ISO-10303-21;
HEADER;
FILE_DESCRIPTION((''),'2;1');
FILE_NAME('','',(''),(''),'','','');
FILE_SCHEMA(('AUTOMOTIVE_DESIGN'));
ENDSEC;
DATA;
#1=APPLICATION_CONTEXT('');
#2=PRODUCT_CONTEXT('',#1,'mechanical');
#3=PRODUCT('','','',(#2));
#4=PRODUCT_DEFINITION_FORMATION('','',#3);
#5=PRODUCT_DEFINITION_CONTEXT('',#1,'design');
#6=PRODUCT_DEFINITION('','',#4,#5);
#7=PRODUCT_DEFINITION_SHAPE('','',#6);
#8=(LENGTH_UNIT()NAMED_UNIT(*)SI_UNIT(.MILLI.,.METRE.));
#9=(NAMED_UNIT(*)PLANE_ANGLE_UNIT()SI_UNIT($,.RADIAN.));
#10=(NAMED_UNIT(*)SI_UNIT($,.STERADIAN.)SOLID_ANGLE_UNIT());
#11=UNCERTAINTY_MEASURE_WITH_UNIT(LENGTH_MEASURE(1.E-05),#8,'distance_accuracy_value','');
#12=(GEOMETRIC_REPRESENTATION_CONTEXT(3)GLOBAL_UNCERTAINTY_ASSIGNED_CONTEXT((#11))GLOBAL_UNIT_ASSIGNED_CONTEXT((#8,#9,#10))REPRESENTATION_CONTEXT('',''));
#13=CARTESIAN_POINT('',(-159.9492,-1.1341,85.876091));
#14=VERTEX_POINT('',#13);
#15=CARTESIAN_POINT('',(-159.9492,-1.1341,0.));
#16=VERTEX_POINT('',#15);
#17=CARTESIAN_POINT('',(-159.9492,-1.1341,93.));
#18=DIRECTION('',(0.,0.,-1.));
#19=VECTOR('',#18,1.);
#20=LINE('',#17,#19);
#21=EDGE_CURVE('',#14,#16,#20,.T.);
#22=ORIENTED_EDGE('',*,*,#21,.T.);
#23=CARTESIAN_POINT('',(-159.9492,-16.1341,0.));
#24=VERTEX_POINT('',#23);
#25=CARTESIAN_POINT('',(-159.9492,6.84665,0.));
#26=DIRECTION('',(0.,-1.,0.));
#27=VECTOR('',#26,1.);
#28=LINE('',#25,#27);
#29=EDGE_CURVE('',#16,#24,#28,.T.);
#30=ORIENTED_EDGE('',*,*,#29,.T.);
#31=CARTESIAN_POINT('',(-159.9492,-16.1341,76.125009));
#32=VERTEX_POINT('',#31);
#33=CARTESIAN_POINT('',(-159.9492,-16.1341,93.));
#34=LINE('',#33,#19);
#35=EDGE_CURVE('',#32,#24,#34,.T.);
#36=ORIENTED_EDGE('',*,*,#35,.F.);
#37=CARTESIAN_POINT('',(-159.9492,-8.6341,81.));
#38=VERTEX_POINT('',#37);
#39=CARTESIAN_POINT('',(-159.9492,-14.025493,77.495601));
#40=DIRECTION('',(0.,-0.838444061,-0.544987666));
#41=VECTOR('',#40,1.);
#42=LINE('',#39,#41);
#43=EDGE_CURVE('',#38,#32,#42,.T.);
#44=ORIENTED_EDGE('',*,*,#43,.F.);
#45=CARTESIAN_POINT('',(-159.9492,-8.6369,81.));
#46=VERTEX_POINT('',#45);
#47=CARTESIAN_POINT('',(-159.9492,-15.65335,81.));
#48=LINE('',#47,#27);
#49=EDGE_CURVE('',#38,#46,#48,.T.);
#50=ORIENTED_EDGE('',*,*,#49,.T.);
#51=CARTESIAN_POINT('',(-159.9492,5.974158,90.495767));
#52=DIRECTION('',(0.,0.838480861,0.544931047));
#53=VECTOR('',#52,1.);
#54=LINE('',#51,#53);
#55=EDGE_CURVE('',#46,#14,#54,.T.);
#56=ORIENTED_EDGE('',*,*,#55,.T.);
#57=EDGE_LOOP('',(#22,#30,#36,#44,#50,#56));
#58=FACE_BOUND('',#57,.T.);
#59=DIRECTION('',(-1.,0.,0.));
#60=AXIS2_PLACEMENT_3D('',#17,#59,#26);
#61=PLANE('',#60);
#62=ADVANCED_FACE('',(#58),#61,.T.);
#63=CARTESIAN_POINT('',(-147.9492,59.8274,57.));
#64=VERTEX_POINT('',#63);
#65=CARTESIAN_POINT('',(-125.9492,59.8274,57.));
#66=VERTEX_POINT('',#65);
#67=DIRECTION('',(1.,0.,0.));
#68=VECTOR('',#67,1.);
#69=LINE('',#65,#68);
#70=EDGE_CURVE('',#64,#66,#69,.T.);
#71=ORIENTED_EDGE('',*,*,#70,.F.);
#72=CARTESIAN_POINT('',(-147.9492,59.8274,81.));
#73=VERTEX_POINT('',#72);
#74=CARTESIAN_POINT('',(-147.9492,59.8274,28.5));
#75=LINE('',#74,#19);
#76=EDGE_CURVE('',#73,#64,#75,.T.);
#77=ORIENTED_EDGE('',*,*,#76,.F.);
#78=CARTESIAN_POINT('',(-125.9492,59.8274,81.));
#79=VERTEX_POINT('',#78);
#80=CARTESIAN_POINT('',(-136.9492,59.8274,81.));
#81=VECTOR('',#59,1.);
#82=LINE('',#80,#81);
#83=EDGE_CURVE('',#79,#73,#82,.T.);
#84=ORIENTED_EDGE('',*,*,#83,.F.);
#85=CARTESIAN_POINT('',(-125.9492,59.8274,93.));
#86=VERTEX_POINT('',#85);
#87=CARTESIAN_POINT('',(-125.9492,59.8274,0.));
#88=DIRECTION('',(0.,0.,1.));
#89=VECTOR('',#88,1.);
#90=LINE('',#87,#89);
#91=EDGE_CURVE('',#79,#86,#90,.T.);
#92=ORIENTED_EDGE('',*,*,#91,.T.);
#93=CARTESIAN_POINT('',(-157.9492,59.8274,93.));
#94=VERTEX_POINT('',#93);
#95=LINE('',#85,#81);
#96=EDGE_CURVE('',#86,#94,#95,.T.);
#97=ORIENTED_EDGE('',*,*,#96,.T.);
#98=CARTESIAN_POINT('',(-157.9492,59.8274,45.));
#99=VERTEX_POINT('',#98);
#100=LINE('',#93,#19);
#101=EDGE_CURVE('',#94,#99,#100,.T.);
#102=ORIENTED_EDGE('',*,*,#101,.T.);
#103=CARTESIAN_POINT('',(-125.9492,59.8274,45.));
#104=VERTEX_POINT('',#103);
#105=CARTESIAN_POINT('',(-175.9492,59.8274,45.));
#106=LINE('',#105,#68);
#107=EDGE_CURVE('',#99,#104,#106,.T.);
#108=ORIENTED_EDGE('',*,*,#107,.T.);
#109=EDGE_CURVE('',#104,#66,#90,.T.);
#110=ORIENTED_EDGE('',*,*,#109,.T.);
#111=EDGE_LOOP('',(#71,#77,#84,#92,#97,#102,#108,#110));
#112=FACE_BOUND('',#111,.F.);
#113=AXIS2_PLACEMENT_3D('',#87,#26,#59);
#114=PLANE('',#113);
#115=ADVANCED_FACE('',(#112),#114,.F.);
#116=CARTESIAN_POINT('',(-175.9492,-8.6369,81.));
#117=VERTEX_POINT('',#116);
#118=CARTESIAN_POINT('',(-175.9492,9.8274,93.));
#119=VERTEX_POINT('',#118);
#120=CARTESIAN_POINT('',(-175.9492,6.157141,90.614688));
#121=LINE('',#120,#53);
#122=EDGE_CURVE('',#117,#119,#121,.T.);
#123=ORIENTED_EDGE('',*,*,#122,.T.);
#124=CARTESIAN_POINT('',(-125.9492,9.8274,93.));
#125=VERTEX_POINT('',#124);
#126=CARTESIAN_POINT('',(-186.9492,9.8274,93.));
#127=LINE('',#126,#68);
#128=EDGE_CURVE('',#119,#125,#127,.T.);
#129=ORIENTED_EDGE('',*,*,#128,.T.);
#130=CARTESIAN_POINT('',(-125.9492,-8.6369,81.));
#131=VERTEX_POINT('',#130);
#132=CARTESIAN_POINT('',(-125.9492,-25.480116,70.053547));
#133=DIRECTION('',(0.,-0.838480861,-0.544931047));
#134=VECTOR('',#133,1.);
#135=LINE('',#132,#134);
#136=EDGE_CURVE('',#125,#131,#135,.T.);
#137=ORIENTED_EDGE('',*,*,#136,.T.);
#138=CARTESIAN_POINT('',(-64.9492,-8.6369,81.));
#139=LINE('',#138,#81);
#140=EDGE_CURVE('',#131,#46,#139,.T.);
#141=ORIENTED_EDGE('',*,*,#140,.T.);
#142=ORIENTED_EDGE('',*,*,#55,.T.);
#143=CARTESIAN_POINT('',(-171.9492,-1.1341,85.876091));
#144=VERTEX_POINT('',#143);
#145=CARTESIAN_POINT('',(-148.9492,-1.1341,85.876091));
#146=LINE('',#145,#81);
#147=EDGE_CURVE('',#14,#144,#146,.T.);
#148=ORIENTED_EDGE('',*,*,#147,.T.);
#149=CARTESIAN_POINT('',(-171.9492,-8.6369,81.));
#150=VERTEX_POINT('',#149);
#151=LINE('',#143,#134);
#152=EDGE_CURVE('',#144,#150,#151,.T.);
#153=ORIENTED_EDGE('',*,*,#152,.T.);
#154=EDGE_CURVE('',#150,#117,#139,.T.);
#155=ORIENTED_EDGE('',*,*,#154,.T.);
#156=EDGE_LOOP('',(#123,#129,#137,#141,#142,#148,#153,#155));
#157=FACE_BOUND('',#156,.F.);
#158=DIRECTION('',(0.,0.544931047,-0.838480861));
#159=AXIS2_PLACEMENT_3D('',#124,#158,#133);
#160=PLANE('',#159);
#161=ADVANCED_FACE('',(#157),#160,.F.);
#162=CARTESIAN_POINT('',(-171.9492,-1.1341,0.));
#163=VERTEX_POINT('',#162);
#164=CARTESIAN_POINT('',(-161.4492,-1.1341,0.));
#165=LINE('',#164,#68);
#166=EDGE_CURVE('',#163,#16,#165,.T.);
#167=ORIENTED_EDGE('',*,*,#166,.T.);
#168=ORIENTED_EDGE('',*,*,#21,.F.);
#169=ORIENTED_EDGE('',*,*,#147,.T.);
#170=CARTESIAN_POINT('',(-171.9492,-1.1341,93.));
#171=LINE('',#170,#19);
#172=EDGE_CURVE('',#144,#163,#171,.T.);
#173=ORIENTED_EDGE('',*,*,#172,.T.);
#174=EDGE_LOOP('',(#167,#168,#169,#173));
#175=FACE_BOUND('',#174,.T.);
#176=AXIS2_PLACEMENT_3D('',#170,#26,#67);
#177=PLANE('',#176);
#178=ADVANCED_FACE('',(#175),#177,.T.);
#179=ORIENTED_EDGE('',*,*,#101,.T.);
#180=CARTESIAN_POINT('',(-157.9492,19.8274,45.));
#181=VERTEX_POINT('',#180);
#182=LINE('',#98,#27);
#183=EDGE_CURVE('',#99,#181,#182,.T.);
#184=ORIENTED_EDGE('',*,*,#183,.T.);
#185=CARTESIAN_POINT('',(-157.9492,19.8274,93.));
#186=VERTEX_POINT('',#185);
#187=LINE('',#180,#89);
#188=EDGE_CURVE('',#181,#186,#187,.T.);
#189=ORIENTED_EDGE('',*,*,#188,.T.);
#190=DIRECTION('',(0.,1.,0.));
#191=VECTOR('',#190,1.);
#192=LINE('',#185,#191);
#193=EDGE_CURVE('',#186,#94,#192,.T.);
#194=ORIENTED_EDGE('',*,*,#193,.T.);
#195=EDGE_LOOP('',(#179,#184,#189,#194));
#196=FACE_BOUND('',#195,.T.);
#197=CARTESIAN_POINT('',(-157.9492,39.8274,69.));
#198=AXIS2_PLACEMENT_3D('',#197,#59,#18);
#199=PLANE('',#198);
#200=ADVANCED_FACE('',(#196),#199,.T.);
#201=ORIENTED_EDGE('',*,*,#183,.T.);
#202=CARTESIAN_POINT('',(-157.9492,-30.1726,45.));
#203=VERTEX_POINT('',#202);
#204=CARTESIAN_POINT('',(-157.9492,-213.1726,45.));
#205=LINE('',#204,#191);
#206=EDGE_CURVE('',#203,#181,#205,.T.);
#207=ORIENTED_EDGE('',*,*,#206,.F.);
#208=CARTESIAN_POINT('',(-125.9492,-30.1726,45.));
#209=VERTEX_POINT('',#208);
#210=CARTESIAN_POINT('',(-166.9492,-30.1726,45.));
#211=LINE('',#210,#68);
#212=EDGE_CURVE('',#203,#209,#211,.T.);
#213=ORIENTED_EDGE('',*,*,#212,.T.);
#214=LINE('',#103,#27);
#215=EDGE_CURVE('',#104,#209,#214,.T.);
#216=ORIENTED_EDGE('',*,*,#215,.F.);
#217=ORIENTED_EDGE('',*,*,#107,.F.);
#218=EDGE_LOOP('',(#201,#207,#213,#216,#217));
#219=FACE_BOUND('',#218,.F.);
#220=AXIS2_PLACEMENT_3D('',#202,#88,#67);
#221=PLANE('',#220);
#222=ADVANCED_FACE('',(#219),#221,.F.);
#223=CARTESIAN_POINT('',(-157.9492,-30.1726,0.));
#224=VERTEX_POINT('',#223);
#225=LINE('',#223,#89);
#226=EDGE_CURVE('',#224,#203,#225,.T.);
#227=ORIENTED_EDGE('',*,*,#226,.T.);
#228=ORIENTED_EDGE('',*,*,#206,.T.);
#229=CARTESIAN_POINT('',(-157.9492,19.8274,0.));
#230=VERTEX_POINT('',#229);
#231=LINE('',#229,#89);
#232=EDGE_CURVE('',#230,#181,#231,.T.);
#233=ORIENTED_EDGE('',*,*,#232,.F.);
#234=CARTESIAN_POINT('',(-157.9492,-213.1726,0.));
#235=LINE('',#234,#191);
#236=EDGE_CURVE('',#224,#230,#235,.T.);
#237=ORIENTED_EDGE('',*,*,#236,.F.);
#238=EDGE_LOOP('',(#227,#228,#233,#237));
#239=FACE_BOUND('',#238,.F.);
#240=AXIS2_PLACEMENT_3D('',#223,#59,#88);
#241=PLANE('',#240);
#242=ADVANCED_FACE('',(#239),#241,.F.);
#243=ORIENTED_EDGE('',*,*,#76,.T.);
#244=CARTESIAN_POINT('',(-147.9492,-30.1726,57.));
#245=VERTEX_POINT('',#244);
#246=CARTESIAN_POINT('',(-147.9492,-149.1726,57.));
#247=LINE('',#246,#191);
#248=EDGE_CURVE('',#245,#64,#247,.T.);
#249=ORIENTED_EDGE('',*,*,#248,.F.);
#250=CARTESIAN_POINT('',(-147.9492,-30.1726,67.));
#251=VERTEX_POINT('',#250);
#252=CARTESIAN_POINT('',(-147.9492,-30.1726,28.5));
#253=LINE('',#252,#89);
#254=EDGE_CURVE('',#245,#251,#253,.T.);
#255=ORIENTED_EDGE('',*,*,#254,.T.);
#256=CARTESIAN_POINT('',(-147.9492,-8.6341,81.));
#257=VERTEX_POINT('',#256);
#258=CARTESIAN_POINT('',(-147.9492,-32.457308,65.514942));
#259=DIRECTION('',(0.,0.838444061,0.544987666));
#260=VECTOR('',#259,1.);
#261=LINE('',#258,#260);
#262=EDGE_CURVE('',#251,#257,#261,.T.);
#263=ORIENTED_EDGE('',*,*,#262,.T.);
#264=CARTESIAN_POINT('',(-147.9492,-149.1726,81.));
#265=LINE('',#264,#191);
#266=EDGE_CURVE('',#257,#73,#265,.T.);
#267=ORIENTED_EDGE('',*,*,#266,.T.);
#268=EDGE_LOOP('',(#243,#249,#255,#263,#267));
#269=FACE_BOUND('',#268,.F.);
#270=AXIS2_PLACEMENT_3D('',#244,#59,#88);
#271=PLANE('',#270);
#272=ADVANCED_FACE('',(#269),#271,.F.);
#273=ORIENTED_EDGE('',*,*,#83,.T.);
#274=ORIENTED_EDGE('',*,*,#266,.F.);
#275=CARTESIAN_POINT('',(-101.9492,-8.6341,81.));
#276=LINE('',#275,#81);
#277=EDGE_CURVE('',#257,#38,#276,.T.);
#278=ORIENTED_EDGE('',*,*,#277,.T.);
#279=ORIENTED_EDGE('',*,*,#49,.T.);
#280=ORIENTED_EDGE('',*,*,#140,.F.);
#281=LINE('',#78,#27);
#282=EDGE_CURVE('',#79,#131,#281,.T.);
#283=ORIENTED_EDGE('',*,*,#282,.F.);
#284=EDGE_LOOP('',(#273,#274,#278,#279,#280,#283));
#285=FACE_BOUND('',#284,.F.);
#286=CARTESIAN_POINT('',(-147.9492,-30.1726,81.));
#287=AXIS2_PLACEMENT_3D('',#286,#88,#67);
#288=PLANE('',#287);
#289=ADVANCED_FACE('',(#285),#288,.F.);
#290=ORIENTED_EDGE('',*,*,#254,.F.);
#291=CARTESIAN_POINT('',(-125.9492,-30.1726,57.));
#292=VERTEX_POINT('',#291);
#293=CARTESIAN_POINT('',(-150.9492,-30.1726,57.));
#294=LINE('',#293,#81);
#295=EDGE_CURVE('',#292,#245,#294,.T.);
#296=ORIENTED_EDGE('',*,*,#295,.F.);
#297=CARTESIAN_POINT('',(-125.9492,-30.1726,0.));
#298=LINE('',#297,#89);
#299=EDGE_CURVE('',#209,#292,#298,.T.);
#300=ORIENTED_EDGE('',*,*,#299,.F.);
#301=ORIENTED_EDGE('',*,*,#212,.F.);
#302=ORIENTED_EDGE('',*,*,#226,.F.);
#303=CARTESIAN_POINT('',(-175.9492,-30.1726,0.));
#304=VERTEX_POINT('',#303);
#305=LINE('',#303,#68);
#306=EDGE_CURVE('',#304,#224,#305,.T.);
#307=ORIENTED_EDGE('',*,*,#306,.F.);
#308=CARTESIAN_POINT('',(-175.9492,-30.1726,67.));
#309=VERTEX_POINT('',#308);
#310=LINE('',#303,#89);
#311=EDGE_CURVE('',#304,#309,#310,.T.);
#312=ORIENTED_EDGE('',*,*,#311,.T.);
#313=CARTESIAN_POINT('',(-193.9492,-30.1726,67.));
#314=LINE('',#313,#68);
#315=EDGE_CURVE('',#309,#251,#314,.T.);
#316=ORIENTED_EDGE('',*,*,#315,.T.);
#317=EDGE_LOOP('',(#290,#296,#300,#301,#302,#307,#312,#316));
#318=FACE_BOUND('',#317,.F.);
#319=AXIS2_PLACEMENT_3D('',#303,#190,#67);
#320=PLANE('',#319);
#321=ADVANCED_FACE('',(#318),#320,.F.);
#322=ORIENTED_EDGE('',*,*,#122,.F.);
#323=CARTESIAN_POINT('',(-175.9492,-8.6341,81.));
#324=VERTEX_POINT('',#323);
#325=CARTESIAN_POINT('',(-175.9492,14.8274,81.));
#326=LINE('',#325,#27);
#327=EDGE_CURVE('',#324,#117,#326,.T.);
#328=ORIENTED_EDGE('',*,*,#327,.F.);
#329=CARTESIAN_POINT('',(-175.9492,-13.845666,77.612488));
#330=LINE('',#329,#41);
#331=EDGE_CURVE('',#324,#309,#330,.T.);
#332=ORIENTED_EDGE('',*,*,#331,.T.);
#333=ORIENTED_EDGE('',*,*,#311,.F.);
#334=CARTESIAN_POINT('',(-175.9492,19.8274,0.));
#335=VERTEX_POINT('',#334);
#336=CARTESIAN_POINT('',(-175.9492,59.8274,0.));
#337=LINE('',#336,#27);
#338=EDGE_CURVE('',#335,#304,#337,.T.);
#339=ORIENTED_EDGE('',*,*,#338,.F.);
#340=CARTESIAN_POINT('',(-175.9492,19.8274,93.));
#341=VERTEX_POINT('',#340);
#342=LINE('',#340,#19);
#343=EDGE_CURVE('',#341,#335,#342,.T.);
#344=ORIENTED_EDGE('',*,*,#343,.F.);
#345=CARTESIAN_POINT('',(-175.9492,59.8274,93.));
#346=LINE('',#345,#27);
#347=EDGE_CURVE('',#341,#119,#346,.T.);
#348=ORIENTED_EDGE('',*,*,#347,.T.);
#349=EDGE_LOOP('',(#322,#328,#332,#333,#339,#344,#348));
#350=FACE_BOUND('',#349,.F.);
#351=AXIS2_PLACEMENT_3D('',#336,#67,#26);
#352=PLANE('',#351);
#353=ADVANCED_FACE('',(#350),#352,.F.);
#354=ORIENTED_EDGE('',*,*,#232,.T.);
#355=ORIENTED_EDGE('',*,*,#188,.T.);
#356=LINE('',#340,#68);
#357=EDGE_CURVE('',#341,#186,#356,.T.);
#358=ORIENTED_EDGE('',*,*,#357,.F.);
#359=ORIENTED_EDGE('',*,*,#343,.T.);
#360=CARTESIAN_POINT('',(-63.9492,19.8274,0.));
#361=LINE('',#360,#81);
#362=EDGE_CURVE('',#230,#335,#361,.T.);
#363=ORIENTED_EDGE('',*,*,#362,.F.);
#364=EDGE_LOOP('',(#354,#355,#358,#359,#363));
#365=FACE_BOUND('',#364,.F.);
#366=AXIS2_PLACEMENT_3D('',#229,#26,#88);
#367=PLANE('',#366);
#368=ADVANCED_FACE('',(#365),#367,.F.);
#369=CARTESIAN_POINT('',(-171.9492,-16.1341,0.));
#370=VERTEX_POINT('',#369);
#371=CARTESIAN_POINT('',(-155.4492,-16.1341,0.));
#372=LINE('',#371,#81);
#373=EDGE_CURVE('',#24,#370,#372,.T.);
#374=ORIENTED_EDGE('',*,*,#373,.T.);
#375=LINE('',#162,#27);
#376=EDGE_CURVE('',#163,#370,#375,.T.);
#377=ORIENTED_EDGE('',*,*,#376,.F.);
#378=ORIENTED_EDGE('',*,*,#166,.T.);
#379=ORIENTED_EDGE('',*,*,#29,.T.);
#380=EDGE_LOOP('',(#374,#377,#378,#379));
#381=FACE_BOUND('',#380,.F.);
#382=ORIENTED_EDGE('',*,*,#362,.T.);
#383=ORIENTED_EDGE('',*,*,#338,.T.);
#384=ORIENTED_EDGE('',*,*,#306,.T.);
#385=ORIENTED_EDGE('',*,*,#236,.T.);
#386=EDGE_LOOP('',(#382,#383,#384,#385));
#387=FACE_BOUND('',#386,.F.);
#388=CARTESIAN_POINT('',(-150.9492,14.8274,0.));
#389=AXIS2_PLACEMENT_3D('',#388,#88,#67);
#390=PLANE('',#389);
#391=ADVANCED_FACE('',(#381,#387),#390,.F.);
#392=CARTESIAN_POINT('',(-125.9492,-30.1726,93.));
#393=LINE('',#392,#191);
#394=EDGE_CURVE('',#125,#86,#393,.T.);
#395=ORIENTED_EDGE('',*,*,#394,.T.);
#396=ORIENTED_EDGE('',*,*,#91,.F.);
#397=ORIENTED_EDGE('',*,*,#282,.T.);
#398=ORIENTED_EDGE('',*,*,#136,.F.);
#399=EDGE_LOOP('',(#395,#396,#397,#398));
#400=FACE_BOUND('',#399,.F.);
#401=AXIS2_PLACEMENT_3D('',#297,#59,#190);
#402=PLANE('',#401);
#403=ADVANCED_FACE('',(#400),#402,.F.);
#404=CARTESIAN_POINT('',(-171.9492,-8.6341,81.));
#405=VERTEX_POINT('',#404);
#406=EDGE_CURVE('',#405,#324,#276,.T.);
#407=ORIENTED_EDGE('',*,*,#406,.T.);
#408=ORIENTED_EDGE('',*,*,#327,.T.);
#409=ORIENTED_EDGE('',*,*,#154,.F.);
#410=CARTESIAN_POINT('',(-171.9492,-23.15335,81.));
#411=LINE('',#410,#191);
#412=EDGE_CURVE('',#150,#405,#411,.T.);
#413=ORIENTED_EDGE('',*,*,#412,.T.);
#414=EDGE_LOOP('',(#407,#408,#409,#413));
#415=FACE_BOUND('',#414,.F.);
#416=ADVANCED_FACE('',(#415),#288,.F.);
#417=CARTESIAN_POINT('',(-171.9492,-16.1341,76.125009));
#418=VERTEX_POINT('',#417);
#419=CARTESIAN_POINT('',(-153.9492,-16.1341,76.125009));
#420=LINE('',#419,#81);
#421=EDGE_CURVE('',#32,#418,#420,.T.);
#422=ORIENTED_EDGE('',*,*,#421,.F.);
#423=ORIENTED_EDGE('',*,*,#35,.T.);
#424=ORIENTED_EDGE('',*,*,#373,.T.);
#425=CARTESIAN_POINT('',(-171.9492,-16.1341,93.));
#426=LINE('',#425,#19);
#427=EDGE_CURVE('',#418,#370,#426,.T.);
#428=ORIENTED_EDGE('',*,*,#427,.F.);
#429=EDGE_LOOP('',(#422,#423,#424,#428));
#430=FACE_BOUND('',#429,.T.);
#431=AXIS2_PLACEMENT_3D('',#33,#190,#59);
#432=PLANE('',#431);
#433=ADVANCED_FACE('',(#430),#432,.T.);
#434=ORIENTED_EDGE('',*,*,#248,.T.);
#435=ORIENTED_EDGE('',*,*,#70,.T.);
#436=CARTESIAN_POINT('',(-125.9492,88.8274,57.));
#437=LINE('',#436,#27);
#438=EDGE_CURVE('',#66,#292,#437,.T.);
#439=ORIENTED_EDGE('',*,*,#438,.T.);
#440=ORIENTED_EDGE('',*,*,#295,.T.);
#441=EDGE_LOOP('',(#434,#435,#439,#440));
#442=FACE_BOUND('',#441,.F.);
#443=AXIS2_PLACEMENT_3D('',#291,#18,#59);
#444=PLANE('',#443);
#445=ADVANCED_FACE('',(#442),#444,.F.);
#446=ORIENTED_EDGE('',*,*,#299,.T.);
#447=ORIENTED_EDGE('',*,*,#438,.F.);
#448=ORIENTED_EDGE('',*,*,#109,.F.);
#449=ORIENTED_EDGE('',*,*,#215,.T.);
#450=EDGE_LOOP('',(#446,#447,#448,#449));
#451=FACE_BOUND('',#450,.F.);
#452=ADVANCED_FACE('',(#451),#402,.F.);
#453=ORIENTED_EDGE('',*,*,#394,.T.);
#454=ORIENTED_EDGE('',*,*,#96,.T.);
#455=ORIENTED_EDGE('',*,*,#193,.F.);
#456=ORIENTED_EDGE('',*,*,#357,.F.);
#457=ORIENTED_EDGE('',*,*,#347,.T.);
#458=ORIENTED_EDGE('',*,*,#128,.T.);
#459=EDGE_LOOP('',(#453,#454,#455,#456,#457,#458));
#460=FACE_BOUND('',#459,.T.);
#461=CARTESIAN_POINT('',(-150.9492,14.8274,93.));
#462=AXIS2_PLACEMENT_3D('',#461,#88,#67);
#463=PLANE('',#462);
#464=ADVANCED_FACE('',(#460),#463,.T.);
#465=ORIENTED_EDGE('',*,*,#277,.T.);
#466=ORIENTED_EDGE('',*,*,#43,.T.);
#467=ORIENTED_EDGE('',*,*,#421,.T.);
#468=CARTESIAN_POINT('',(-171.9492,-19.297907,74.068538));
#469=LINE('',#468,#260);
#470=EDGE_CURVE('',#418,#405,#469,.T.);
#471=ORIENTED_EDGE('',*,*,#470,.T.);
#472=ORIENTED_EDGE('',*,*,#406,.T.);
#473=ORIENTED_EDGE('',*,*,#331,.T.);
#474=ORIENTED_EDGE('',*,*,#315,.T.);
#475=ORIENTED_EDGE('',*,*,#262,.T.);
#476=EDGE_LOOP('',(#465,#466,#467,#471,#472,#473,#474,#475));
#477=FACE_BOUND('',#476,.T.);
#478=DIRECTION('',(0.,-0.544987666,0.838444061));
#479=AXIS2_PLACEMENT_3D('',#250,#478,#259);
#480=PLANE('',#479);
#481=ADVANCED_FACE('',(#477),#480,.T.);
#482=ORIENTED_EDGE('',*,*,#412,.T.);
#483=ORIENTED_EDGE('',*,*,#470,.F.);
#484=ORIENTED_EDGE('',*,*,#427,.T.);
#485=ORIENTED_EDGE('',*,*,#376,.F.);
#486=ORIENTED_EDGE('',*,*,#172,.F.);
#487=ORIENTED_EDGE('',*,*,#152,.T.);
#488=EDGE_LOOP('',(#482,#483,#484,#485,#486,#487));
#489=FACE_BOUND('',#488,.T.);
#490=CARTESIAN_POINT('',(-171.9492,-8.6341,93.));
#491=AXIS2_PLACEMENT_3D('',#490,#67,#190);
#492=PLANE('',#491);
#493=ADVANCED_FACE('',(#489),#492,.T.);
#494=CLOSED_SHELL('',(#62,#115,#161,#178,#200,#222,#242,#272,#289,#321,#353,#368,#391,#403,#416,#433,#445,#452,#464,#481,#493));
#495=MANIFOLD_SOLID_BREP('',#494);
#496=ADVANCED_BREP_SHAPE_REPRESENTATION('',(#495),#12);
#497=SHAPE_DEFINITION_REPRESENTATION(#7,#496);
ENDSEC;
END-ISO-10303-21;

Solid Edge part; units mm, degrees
sketch "Sketch1" plane through (0, 0, 0) normal (0, 0, 1) x (1, 0, 0)
  line L0 (-175.9492, -30.1726) -> (-125.9492, -30.1726)
  line L1 (-175.9492, 59.8274) -> (-175.9492, -30.1726)
  line L2 (-125.9492, 59.8274) -> (-175.9492, 59.8274)
  line L3 (-125.9492, -30.1726) -> (-125.9492, 59.8274)
extrude "Protrusion1" add sketch "Sketch1" along normal blind 93
sketch "Sketch2" plane through (-150.9492, -30.1726, 46.5) normal (0, -1, 0) x (1, 0, 0)
  line L0 (25, -46.5) -> (-7, -46.5)
  line L1 (-7, -46.5) -> (-7, -1.5)
  line L2 (-7, -1.5) -> (25, -1.5)
  line L3 (25, -1.5) -> (25, -46.5)
extrude "ExtrudedCutout_1" cut sketch "Sketch2" along normal mid plane 366
sketch "Sketch3" plane through (-157.9492, 14.8274, 22.5) normal (1, 0, 0) x (0, 1, 0)
  line L0 (45, -22.5) -> (5, -22.5)
  line L1 (5, -22.5) -> (5, 22.5)
  line L2 (5, 22.5) -> (45, 22.5)
  line L3 (45, 22.5) -> (45, -22.5)
extrude "ExtrudedCutout_2" cut sketch "Sketch3" along normal mid plane 188
sketch "Sketch4" plane through (-150.9492, -30.1726, 46.5) normal (0, -1, 0) x (1, 0, 0)
  line L0 (25, 10.5) -> (3, 10.5)
  line L1 (3, 10.5) -> (3, 34.5)
  line L2 (3, 34.5) -> (25, 34.5)
  line L3 (25, 34.5) -> (25, 10.5)
extrude "ExtrudedCutout_3" cut sketch "Sketch4" along normal mid plane 238
sketch "Sketch5" plane through (-147.9492, 14.8274, 69) normal (1, 0, 0) x (0, 1, 0)
  line L0 (-45, 12) -> (-23.4615, 12)
  line L1 (-45, -2) -> (-23.4615, 12)
  line L2 (-45, -2) -> (-45, 12)
extrude "ExtrudedCutout_4" cut sketch "Sketch5" along normal mid plane 92
sketch "Sketch6" plane through (-125.9492, 14.8274, 87) normal (1, 0, 0) x (0, 1, 0)
  line L0 (-5, 6) -> (-23.4643, -6)
  line L1 (-23.4643, -6) -> (-45, -6)
  line L2 (-45, -6) -> (-45, 6)
  line L3 (-45, 6) -> (-5, 6)
extrude "ExtrudedCutout_5" cut sketch "Sketch6" along normal mid plane 122
sketch "Sketch7" plane through (-175.9492, 14.8274, 46.5) normal (-1, 0, 0) x (0, -1, 0)
  line L0 (-5, -1.5) -> (-5, 46.5)
  line L1 (-5, 46.5) -> (-45, 46.5)
  line L2 (-45, 46.5) -> (-45, -1.5)
  line L3 (-45, -1.5) -> (-5, -1.5)
extrude "Cutout_6" cut sketch "Sketch7" against normal blind 18
sketch "Sketch8" plane through (-150.9492, 34.8274, 93) normal (0, 0, 1) x (1, 0, 0)
  line L0 (-9, -50.9615) -> (-21, -50.9615)
  line L1 (-21, -50.9615) -> (-21, -43.4615)
  line L2 (-21, -43.4615) -> (-21, -35.9615)
  line L3 (-21, -35.9615) -> (-9, -35.9615)
  line L4 (-9, -35.9615) -> (-9, -50.9615)
extrude "Cutout_7" cut sketch "Sketch8" against normal blind 115
